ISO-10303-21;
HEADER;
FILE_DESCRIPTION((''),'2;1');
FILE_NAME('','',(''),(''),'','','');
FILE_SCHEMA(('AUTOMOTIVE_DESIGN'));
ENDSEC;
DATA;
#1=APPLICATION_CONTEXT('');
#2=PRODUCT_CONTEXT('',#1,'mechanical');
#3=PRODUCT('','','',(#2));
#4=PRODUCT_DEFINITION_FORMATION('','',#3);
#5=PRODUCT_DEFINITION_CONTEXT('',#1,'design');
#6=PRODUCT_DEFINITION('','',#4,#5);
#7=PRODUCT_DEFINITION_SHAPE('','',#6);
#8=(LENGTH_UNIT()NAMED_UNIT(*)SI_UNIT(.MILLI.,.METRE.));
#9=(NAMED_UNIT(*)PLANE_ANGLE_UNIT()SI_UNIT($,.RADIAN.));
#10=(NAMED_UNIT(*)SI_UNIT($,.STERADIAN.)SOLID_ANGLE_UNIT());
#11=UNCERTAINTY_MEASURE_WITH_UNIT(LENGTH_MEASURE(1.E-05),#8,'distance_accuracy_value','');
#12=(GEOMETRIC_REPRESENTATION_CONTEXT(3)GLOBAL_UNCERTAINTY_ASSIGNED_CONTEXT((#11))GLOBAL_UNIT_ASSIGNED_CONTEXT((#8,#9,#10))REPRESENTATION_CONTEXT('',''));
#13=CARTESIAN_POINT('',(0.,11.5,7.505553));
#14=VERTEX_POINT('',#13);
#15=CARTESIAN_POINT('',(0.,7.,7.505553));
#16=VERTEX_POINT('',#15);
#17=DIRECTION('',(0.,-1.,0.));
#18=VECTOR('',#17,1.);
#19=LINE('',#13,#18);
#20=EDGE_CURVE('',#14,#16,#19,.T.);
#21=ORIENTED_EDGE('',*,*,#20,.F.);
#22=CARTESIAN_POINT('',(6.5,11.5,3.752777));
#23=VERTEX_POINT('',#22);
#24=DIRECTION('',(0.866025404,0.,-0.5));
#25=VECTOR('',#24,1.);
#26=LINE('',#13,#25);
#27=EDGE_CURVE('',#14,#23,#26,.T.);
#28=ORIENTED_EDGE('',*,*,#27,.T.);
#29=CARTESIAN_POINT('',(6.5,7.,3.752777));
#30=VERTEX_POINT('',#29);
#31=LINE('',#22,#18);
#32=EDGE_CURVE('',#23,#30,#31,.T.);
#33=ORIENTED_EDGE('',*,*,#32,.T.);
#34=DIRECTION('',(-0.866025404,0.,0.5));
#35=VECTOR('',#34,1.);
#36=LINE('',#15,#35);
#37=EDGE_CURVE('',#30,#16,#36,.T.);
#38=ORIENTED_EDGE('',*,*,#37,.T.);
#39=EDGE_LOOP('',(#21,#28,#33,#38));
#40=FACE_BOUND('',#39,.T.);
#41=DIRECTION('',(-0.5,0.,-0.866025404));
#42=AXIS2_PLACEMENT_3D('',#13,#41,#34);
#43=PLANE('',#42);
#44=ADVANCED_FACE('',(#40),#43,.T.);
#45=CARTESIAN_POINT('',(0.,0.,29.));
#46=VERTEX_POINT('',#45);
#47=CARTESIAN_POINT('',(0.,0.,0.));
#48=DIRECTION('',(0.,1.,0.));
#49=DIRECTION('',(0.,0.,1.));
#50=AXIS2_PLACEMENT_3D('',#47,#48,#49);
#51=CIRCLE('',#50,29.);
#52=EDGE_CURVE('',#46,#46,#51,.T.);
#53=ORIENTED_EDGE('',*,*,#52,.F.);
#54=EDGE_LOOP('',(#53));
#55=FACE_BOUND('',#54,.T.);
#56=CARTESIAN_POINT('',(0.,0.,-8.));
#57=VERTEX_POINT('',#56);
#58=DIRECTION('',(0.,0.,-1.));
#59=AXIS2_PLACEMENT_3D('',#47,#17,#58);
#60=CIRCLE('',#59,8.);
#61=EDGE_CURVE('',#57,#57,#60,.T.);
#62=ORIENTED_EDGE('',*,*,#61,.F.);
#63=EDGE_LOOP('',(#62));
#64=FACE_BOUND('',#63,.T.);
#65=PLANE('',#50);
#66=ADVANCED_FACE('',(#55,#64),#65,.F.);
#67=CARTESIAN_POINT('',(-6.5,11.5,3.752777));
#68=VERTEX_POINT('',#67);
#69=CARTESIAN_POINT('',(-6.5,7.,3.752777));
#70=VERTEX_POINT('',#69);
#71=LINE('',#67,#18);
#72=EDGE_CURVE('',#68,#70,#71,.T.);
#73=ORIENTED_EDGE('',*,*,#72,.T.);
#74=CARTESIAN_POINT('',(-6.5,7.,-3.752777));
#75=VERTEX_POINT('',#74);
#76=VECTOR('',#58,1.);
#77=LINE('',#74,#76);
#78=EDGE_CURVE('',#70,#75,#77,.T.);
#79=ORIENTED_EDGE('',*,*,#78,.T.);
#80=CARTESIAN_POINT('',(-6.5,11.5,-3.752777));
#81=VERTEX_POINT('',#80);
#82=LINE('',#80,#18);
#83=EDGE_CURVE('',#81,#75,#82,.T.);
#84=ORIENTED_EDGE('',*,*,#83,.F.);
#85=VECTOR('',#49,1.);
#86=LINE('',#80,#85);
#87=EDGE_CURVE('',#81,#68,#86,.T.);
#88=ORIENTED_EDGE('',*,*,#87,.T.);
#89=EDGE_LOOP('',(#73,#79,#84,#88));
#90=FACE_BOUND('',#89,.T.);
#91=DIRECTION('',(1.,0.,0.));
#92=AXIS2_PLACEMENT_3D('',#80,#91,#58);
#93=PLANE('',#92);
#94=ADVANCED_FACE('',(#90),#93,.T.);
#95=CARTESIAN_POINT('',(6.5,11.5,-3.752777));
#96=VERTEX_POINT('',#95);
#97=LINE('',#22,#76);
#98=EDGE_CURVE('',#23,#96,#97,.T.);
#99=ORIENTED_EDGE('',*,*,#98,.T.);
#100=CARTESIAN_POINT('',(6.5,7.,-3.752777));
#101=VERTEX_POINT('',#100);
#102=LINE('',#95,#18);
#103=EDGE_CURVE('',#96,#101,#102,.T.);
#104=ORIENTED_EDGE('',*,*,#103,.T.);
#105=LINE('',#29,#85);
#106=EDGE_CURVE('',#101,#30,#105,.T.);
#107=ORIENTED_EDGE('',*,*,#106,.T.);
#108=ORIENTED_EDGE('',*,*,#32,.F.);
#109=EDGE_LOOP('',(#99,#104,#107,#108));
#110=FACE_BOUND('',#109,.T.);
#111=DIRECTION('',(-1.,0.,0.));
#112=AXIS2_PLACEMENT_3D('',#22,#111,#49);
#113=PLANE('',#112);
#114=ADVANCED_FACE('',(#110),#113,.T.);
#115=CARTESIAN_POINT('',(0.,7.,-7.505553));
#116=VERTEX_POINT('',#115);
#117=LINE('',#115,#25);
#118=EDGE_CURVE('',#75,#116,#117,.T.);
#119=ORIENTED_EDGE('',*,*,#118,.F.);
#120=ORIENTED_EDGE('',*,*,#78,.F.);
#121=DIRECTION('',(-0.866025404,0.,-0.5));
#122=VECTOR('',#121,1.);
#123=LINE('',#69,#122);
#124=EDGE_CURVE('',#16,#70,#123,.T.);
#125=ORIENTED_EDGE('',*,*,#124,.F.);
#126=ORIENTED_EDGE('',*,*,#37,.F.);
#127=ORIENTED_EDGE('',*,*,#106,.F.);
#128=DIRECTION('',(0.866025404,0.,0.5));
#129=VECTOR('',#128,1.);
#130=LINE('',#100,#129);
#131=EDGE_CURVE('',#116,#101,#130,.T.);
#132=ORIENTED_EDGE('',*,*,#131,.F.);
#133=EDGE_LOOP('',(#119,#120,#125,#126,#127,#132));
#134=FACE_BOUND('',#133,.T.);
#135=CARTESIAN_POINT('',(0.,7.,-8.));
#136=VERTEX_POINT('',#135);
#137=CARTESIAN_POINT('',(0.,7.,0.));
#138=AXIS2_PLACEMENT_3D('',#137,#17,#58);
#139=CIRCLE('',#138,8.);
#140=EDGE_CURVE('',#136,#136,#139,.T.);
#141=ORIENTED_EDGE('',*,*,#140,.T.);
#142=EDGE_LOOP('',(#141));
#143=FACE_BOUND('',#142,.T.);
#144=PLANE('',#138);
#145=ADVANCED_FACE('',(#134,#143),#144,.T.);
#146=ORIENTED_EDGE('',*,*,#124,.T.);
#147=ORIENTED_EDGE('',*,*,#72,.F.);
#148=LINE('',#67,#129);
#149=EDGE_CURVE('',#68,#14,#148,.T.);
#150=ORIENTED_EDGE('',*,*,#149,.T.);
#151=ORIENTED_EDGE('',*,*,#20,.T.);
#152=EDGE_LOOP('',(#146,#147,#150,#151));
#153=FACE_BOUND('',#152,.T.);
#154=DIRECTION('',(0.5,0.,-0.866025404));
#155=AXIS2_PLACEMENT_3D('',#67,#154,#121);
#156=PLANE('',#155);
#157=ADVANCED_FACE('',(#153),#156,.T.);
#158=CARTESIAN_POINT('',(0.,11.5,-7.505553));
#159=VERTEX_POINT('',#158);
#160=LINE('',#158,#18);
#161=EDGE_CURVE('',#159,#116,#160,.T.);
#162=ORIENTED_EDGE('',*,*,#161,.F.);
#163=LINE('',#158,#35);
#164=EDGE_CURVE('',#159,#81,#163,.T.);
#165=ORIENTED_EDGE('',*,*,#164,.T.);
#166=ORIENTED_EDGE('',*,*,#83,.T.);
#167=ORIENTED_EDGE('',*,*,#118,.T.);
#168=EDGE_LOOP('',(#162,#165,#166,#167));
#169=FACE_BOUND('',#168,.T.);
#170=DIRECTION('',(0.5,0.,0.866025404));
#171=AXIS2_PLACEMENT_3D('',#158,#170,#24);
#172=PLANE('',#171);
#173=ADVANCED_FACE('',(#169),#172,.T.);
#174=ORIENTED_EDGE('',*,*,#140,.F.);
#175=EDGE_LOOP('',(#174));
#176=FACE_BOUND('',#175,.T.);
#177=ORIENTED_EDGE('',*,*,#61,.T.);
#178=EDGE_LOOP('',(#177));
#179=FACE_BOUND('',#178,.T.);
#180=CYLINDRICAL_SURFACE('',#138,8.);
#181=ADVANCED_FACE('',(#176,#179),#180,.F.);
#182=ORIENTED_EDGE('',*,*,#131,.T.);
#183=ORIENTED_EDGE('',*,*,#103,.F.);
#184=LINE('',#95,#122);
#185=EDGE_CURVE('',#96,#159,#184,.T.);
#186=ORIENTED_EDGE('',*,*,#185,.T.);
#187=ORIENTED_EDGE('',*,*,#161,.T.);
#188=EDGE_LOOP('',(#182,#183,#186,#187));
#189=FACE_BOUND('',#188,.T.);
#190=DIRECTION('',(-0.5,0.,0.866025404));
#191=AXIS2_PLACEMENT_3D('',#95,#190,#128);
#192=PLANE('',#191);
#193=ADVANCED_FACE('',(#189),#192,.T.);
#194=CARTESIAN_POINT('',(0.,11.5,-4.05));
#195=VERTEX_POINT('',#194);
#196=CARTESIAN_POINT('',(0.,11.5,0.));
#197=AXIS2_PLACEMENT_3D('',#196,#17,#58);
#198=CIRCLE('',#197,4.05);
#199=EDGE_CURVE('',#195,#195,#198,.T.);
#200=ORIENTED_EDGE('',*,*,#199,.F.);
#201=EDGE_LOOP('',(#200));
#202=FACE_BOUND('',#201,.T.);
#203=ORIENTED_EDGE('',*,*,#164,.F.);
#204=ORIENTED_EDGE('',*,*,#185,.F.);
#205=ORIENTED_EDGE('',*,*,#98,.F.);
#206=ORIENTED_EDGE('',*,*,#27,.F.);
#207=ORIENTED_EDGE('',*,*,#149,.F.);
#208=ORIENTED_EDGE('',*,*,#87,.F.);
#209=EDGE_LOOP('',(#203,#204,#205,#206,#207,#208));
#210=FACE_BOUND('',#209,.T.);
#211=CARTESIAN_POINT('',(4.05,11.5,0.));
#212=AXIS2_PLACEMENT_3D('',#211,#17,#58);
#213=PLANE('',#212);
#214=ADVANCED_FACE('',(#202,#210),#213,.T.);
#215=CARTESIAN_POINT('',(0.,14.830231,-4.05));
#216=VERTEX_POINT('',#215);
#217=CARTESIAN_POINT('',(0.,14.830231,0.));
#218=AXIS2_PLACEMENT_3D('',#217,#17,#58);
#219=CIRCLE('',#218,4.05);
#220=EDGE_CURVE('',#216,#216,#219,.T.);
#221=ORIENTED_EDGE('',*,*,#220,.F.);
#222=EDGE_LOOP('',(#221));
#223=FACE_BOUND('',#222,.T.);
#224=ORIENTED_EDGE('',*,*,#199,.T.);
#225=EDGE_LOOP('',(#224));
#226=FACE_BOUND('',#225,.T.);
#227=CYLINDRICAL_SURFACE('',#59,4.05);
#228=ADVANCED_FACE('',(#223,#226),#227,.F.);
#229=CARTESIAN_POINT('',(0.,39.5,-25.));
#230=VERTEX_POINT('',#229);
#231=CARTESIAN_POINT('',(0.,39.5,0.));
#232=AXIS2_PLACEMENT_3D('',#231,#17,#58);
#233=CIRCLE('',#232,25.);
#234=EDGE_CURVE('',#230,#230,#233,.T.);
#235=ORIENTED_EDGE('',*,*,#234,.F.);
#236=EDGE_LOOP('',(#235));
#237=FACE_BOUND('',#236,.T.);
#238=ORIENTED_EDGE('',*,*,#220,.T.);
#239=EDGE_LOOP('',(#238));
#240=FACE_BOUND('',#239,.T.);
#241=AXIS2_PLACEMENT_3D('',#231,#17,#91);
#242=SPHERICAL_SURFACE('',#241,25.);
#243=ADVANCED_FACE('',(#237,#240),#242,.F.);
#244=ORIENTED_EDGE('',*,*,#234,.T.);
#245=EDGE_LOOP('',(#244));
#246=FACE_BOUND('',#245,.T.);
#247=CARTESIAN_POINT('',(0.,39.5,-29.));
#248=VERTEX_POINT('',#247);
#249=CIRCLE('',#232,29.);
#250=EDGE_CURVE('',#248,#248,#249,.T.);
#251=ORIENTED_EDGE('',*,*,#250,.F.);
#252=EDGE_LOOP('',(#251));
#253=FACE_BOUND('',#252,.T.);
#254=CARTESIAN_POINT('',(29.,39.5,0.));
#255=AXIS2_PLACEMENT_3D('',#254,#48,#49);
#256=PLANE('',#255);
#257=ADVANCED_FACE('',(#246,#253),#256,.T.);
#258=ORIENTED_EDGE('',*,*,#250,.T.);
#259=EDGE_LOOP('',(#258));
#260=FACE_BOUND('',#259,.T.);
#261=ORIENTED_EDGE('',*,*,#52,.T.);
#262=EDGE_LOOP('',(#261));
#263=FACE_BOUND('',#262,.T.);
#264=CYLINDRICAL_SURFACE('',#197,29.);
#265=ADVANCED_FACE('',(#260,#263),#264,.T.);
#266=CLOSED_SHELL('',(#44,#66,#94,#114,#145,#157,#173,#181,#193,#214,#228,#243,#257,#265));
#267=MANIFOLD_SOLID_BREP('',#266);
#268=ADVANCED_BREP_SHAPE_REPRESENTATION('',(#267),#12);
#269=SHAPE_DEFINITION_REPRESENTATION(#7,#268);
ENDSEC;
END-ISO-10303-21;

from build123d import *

# Parameters (mm, degrees)
SKETCH2_R           = 29
BOSS_EXTRUDE1_DEPTH = 11.5
SKETCH3_R           = 8
CUT_EXTRUDE1_DEPTH  = 7


with BuildPart() as part:
    # Sketch2 → Boss-Extrude1 (new body)
    with BuildSketch(Plane(origin=(0, 0, 0), x_dir=(1, 0, 0), z_dir=(0, 1, 0))):
        with Locations(Location((0, 0, 0), (0, 0, 270))):
            Circle(SKETCH2_R)
        Polygon((0, 7.505553499), (-6.5, 3.75277675), (-6.5, -3.75277675), (0, -7.505553499), (6.5, -3.75277675), (6.5, 3.75277675), align=None, mode=Mode.SUBTRACT)
    extrude(amount=BOSS_EXTRUDE1_DEPTH)

    # Sketch3 → Cut-Extrude1 (cut)
    with BuildSketch(Plane.XZ):
        with Locations(Location((0, 0, 0), (0, 0, 270))):
            Circle(SKETCH3_R)
    extrude(amount=-CUT_EXTRUDE1_DEPTH, mode=Mode.SUBTRACT)

    # Sketch4 → Revolve1 (revolve)
    with BuildSketch(Plane.XY, mode=Mode.PRIVATE) as revolve1_sk:
        with BuildLine():
            Line((4.05, 14.830231051), (4.05, 11.5))
            Line((4.05, 11.5), (29, 11.5))
            Line((29, 11.5), (29, 39.5))
            Line((29, 39.5), (25, 39.5))
            ThreePointArc((25, 39.5), (19.055839, 23.317447667), (4.05, 14.830231051))
        make_face()
    revolve(revolve1_sk.sketch.rotate(Axis((0, 0, 0), (0, 1, 0)), 90), axis=Axis((0, 0, 0), (0, 1, 0)))


solid = part.part
